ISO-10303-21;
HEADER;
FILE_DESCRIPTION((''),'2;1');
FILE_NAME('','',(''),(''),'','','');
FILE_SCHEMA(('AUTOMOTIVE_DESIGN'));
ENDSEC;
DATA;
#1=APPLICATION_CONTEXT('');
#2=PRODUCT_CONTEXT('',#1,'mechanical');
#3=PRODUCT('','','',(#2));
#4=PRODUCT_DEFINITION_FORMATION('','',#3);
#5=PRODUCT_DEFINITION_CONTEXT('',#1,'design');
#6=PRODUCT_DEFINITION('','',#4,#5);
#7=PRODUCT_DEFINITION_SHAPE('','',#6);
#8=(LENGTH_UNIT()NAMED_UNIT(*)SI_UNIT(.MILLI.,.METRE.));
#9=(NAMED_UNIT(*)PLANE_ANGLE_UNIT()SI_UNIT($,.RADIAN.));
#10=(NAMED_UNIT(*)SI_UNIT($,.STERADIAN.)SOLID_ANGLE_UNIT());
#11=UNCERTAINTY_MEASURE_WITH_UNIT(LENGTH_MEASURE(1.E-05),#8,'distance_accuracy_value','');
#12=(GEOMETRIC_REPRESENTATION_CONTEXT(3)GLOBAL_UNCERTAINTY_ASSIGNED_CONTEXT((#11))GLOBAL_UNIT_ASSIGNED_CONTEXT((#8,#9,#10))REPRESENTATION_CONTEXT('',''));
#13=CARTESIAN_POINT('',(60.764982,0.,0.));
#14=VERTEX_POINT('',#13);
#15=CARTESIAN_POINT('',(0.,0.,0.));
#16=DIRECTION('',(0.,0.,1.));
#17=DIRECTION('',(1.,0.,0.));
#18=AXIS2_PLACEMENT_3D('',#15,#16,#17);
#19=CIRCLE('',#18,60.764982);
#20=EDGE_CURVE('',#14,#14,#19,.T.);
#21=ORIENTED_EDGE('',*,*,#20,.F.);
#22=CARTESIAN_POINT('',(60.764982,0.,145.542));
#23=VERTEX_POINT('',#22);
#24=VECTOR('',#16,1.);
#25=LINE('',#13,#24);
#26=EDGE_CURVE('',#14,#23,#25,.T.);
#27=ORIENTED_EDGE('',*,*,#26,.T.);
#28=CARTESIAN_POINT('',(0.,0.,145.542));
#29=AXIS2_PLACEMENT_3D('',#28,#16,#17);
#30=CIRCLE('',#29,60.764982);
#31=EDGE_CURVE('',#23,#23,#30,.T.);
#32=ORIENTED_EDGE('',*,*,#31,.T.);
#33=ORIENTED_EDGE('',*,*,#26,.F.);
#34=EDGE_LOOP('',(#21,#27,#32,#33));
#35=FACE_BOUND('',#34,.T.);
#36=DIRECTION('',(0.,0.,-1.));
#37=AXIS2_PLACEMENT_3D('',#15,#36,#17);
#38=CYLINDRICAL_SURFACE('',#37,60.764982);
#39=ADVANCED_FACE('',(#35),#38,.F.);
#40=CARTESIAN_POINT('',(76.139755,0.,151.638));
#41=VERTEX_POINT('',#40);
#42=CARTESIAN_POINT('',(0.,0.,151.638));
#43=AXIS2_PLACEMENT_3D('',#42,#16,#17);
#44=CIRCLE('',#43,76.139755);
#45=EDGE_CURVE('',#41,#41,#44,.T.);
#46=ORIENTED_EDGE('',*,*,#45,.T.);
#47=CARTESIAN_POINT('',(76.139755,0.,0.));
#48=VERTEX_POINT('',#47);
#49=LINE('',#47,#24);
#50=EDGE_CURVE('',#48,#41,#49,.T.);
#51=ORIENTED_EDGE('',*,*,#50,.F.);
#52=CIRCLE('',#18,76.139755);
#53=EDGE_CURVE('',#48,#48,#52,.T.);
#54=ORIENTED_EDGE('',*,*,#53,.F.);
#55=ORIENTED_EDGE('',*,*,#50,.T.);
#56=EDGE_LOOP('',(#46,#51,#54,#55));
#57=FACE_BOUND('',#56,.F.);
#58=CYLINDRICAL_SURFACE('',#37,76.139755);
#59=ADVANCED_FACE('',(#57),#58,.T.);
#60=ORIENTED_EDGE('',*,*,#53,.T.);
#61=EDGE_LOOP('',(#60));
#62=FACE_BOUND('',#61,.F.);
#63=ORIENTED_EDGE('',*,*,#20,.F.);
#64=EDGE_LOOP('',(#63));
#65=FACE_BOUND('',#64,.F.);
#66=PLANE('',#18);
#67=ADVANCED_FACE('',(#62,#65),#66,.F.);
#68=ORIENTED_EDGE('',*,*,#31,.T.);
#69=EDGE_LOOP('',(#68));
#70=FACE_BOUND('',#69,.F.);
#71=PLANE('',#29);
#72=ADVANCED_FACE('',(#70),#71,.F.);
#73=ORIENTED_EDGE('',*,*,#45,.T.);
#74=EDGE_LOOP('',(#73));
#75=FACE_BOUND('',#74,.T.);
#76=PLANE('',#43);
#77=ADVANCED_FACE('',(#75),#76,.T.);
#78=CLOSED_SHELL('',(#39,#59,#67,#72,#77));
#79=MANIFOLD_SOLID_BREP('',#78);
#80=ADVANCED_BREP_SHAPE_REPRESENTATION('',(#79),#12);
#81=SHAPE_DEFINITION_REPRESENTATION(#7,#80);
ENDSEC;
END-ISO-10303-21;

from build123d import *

# Parameters (mm, degrees)
F0_R     = 76.139755
F1_DEPTH = 151.638
F2_R     = 67.495024
F3_DEPTH = 149.098
F4_R     = 68.23758
F4_R_2   = 59.894351
F5_DEPTH = 25.4
F6_R     = 60.764982
F7_DEPTH = 145.542


with BuildPart() as f1:
    # F0 (on Top) → F1 (new body)
    with BuildSketch(Plane.XY):
        Circle(F0_R)
    extrude(amount=F1_DEPTH)

    # F2 (on Top) → F3 (join)
    with BuildSketch(Plane.XY):
        Circle(F2_R)
    extrude(amount=F3_DEPTH)

    # F4 (on Top) → F5 (cut)
    with BuildSketch(Plane.XY):
        Circle(F4_R)
        Circle(F4_R_2, mode=Mode.SUBTRACT)
    extrude(amount=-F5_DEPTH, mode=Mode.SUBTRACT)

    # F6 (on Top) → F7 (cut)
    with BuildSketch(Plane.XY):
        Circle(F6_R)
    extrude(amount=F7_DEPTH, mode=Mode.SUBTRACT)


solid = f1.part
